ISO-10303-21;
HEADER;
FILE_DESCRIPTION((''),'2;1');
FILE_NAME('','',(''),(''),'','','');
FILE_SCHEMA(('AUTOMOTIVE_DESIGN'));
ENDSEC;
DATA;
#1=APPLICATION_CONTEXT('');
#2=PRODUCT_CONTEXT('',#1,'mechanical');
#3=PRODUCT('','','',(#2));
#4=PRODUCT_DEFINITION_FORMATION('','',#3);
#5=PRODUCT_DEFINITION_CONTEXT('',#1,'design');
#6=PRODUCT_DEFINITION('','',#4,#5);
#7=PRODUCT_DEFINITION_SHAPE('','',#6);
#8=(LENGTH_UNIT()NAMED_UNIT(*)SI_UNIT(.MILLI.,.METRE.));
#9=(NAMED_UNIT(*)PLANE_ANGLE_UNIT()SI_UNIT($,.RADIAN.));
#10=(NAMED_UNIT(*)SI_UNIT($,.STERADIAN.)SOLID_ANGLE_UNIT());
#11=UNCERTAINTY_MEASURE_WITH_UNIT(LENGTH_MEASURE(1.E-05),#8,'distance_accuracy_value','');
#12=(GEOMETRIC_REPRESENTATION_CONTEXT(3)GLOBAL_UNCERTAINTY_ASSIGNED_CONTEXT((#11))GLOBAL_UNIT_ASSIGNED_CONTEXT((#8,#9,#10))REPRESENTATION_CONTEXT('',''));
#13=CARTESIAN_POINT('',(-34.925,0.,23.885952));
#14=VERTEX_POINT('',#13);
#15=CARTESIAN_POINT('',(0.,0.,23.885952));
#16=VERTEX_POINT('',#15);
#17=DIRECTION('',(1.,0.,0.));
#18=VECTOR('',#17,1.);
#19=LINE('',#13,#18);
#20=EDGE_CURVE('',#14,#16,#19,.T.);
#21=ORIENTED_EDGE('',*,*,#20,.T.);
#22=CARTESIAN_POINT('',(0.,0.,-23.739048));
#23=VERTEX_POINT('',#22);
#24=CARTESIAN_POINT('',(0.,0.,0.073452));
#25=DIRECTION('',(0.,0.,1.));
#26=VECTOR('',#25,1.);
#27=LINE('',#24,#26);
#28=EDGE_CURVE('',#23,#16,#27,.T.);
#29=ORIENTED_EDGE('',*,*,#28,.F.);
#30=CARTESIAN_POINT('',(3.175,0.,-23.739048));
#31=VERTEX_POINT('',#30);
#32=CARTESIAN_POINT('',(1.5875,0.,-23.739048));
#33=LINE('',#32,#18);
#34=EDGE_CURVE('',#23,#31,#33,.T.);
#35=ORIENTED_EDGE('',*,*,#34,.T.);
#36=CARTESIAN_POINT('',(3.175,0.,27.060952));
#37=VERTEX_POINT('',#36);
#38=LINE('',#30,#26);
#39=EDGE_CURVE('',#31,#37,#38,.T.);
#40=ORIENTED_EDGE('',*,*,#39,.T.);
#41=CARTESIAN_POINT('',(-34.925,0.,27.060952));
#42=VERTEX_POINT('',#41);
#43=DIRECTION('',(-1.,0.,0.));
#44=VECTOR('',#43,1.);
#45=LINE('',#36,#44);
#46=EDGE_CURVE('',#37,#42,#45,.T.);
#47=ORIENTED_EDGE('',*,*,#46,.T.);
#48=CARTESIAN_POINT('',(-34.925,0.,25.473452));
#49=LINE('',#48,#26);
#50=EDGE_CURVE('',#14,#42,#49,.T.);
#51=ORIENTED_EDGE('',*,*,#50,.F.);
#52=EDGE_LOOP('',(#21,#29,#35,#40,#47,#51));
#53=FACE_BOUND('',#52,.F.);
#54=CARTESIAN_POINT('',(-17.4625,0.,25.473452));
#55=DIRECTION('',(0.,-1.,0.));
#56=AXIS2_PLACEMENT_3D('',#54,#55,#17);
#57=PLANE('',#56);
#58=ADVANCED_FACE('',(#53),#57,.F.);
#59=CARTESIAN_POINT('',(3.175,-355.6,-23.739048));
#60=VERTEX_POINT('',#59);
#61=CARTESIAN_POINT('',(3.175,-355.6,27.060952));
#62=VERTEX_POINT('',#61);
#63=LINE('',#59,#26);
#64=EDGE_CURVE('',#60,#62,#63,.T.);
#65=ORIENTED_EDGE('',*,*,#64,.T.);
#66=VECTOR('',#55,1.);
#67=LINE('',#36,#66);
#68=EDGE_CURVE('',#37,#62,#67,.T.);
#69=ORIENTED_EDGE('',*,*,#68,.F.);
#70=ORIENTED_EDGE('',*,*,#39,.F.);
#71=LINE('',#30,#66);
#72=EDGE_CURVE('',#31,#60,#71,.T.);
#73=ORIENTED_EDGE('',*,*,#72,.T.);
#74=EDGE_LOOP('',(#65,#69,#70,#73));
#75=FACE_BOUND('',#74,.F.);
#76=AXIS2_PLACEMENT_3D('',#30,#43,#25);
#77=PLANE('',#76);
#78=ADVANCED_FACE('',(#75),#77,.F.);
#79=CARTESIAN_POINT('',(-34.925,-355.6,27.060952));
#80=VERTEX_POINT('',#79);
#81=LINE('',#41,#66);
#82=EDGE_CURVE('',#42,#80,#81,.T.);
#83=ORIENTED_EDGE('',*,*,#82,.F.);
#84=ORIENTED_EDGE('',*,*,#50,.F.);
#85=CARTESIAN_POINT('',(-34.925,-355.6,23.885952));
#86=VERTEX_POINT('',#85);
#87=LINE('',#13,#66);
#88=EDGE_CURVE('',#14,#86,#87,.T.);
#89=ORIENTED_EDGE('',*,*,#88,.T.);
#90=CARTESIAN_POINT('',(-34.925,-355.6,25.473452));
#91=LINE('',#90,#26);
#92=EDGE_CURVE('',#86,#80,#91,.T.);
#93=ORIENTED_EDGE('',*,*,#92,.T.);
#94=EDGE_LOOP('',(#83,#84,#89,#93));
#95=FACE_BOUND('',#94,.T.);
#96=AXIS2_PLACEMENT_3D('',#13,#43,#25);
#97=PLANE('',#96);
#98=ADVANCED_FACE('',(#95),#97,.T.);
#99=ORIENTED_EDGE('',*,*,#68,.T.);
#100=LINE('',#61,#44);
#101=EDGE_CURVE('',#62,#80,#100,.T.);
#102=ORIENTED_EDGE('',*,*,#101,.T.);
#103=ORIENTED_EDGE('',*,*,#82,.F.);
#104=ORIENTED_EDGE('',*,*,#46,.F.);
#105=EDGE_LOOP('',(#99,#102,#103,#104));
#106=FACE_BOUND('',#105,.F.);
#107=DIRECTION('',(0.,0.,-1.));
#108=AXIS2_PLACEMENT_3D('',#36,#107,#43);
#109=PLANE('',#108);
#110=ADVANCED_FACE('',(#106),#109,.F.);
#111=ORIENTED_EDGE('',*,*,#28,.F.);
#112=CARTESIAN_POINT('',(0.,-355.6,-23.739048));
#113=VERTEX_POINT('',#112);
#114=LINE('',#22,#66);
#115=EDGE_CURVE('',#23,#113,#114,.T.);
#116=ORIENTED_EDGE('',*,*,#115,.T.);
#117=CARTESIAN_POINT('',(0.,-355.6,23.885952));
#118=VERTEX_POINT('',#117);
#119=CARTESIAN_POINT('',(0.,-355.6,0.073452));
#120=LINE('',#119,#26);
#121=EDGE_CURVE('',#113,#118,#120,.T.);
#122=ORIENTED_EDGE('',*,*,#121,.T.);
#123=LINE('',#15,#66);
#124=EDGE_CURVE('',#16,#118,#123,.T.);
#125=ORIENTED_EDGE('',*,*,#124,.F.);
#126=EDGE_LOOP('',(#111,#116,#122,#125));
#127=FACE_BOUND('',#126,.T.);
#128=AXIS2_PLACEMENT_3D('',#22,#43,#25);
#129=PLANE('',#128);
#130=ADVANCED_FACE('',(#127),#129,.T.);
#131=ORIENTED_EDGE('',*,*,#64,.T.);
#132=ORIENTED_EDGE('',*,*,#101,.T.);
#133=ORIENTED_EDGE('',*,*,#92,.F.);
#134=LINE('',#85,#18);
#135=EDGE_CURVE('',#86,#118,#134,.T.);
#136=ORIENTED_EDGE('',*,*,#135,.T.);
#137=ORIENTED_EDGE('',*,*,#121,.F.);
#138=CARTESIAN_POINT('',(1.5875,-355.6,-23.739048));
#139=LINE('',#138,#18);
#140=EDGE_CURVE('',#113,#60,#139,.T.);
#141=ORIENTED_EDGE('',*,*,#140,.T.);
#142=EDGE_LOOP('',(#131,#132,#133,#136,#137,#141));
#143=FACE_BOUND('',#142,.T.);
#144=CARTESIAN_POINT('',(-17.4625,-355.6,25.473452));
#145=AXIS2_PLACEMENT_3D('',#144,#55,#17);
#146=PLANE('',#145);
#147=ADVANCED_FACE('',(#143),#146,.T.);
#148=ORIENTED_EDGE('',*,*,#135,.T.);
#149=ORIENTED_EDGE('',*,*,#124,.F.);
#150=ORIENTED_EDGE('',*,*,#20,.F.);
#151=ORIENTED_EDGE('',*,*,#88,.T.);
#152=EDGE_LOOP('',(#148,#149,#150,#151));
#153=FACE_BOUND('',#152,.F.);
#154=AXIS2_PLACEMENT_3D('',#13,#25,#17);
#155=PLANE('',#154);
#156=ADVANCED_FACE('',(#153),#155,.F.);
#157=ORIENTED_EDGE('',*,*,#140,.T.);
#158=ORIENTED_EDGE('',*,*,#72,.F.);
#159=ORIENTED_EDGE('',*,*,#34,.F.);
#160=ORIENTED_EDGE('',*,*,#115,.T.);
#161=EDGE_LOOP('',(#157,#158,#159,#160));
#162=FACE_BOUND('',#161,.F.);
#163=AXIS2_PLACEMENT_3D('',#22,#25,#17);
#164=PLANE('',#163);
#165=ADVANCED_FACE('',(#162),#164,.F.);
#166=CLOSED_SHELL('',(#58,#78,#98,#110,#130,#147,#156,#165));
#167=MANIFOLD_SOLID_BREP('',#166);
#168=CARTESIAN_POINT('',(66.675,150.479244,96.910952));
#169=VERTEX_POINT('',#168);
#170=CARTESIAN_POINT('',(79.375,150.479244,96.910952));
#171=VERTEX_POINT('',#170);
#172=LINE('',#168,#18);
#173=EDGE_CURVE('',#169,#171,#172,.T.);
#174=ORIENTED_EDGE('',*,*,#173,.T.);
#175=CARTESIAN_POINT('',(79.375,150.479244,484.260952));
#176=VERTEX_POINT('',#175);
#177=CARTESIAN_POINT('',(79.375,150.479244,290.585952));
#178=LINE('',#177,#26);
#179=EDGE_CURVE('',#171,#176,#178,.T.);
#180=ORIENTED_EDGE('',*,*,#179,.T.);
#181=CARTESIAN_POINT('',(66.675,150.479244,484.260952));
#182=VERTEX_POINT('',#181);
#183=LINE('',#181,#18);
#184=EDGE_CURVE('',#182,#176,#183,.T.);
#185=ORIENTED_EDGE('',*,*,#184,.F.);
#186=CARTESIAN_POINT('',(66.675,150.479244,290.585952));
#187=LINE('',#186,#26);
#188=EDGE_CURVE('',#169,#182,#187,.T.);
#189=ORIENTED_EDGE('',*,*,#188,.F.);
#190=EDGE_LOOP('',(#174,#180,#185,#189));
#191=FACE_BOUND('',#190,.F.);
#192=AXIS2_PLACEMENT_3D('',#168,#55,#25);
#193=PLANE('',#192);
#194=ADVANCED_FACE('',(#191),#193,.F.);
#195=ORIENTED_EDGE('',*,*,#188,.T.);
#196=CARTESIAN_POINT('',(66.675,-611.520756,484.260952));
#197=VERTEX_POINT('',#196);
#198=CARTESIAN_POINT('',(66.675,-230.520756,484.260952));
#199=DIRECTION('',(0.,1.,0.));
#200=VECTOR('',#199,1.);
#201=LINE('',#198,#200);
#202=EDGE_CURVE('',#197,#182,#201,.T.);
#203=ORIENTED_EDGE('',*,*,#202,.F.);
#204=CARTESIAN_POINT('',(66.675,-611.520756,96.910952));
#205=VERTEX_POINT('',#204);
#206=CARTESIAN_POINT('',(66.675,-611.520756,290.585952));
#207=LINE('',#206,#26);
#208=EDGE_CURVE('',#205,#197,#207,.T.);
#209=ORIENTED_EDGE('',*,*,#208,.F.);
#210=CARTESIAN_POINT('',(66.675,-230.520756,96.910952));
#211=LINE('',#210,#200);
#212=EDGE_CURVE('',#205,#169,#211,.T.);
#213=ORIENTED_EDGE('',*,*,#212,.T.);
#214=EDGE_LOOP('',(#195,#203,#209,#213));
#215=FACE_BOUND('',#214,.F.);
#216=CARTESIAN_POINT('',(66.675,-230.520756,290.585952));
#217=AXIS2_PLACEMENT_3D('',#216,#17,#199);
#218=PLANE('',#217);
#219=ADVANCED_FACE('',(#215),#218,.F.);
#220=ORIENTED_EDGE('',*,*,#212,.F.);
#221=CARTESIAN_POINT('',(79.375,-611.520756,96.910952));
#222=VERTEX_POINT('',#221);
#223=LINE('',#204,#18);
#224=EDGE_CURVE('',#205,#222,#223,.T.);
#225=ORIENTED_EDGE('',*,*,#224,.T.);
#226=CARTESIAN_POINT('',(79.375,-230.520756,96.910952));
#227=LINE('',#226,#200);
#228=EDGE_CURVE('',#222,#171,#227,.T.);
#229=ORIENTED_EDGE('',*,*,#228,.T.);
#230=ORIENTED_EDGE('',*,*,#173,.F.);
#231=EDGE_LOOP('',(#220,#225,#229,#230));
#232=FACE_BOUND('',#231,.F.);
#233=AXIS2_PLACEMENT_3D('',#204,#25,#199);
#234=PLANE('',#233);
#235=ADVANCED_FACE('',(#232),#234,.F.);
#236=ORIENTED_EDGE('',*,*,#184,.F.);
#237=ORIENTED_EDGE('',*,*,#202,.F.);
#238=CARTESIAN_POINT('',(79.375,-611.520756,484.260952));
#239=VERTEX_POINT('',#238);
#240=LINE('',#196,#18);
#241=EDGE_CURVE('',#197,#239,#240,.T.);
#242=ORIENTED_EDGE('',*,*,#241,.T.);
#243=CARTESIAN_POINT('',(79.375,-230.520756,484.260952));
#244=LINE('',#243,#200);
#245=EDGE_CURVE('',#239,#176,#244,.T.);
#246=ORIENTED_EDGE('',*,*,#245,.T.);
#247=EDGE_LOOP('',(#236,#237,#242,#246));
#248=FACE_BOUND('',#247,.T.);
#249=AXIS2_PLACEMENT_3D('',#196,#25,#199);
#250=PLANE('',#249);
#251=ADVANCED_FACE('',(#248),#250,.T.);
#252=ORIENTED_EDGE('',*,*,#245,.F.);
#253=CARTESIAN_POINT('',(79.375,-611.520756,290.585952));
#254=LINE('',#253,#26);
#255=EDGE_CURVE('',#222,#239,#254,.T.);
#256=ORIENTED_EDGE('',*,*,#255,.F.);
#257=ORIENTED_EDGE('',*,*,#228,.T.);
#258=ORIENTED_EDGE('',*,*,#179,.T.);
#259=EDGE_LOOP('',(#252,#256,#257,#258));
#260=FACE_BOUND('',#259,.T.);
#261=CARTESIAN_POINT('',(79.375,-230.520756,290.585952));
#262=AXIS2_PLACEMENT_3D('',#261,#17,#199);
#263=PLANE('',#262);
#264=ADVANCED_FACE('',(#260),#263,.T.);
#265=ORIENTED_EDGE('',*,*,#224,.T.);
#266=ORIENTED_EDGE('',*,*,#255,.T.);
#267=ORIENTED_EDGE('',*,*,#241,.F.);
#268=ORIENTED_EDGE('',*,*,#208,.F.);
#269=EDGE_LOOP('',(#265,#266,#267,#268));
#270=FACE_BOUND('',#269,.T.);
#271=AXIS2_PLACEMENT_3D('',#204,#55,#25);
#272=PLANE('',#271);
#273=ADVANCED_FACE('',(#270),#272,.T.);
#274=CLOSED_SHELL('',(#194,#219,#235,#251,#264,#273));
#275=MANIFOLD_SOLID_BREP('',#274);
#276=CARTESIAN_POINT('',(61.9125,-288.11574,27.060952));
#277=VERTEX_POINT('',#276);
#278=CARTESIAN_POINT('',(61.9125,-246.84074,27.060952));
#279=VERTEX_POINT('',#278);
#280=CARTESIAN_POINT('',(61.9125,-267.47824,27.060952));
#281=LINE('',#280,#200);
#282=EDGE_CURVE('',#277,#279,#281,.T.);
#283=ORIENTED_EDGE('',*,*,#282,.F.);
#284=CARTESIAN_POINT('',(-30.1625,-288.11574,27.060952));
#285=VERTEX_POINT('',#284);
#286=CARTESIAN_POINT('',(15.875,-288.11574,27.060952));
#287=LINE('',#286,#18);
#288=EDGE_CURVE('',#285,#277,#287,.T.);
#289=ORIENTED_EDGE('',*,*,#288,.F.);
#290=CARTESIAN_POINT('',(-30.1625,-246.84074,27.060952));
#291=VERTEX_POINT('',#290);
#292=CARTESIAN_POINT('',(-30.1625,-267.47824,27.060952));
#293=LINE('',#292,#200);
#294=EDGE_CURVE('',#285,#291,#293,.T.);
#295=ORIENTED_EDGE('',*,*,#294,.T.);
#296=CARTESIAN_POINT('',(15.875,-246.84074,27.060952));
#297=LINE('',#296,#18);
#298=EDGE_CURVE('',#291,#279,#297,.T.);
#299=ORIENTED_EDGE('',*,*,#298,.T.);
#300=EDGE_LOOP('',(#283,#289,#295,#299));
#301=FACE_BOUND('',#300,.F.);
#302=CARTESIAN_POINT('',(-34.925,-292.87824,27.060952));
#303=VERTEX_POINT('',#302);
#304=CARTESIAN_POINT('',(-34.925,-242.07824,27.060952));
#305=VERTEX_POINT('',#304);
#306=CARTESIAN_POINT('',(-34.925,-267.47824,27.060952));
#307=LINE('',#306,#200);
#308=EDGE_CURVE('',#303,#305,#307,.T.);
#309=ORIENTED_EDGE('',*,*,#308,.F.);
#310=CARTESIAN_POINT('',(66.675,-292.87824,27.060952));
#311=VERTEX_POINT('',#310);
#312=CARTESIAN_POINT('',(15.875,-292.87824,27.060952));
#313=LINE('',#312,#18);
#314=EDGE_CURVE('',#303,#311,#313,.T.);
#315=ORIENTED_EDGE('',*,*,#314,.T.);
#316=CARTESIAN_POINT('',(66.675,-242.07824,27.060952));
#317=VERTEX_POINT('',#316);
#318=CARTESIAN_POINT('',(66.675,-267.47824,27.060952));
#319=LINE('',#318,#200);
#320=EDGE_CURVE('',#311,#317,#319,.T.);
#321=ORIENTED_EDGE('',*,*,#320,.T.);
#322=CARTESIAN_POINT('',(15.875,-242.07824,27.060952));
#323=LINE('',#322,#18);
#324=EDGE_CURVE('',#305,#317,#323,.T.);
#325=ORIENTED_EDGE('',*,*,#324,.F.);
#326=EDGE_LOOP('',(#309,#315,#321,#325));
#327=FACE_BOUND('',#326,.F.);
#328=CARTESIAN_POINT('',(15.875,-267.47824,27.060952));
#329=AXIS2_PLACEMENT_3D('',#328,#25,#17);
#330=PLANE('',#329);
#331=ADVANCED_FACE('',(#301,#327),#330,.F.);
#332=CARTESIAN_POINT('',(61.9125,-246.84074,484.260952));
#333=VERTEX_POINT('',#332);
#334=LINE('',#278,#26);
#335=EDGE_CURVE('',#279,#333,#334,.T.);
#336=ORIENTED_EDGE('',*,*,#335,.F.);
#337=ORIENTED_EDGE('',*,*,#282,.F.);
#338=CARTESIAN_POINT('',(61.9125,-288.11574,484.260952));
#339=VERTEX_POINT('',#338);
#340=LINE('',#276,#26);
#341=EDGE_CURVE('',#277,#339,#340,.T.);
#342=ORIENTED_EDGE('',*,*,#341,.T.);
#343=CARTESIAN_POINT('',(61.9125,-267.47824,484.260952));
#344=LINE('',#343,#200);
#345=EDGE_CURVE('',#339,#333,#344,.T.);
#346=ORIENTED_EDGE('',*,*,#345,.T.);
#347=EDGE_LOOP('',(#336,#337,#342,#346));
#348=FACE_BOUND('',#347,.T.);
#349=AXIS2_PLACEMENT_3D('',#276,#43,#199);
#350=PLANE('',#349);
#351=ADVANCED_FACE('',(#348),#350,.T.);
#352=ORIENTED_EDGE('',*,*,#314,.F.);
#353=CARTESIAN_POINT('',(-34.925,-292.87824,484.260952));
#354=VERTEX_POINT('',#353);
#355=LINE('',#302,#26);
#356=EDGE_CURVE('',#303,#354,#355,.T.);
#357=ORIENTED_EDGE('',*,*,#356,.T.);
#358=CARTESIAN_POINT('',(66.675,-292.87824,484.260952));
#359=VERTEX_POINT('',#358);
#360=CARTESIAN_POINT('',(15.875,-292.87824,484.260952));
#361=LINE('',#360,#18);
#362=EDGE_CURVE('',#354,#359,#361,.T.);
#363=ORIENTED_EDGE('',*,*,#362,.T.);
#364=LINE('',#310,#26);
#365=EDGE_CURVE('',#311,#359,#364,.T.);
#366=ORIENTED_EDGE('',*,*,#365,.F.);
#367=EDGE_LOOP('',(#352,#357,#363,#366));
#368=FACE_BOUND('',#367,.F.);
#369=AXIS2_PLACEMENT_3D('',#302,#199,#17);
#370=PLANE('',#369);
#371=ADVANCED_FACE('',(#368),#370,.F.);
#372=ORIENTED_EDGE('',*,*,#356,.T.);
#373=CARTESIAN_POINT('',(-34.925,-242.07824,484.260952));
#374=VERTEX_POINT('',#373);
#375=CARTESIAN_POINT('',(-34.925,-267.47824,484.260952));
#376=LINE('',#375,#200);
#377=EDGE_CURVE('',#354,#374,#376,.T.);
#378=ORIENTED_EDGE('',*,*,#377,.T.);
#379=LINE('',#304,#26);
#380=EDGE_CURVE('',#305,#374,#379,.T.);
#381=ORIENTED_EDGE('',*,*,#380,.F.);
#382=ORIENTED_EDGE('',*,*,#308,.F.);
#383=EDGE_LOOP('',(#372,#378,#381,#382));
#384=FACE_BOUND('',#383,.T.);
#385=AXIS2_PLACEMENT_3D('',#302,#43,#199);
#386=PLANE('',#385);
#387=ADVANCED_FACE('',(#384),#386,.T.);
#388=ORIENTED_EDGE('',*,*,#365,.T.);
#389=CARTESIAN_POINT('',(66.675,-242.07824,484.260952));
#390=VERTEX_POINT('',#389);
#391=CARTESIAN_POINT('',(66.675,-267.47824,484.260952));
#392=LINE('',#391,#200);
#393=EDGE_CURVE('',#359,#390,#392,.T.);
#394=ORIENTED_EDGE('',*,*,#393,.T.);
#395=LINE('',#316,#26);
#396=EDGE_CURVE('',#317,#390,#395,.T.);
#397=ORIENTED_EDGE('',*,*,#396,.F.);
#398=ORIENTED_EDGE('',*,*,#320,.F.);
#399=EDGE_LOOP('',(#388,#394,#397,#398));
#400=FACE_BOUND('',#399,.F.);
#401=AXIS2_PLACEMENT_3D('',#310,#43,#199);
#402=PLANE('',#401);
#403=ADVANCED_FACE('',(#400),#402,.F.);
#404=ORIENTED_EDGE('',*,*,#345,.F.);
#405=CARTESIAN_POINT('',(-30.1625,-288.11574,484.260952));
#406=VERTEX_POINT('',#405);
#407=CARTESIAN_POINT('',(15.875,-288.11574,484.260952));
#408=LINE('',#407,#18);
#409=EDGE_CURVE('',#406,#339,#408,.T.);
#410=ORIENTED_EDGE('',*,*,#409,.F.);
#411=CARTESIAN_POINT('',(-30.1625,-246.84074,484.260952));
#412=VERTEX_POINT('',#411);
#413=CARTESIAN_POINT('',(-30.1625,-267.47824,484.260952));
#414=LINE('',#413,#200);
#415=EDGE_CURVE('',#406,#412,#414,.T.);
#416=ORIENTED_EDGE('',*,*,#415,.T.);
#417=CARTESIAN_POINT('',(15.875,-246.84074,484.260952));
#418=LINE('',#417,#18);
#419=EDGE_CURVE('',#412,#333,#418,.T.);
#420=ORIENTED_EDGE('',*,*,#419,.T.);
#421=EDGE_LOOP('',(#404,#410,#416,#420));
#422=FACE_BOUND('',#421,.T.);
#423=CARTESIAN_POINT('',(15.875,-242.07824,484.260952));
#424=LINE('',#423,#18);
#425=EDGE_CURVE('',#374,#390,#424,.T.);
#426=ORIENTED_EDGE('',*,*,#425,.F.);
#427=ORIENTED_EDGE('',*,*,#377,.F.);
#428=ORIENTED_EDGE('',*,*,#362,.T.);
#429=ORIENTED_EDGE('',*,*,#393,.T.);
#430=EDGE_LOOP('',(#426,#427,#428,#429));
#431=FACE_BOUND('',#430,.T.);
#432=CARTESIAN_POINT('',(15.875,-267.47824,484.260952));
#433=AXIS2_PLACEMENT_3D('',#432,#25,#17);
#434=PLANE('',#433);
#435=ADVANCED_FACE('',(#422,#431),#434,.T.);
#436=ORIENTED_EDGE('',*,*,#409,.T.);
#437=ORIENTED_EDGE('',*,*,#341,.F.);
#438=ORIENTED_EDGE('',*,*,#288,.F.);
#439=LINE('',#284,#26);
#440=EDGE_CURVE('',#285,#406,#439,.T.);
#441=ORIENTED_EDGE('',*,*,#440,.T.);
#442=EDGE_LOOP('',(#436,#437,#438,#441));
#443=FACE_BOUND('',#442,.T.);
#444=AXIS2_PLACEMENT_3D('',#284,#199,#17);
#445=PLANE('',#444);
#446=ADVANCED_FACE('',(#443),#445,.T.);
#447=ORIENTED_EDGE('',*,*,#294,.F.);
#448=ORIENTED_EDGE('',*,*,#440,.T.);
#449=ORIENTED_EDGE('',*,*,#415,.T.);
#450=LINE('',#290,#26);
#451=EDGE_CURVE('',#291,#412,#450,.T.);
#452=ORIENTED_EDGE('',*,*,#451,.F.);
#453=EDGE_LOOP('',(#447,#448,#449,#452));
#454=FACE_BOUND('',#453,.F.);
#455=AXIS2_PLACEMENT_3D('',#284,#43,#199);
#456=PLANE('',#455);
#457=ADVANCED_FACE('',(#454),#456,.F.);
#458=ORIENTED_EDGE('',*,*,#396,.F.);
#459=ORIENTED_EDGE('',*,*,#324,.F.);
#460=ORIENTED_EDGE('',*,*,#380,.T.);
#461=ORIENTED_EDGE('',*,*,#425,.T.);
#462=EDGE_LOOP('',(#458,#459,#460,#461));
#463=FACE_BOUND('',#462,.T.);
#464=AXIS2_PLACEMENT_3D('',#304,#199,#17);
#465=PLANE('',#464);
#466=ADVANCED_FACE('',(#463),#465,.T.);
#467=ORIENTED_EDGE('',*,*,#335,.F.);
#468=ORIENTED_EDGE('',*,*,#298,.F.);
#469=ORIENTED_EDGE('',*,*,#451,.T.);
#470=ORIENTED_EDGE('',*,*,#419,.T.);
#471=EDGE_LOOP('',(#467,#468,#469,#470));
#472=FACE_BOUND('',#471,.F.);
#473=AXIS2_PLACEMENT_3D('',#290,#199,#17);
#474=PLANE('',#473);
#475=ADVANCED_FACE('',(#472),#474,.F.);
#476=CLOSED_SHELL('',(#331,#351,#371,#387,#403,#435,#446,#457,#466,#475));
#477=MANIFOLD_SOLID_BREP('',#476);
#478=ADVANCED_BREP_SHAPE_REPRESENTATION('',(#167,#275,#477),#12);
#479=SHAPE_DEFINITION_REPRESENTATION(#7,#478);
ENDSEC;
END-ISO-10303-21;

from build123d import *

# Parameters (mm, degrees)
F0_W     = 34.925
F0_H     = 3.175
F0_W_2   = 3.175
F0_H_2   = 47.625
F1_DEPTH = 355.6
F2_W     = 101.6
F2_H     = 50.8
F2_W_2   = 92.075
F2_H_2   = 41.275
F3_DEPTH = 457.2
F4_W     = 762
F4_H     = 387.35
F5_DEPTH = 12.7


with BuildPart() as f1:
    # F0 (on Front) → F1 (new body)
    with BuildSketch(Plane.XZ):
        with Locations((-17.4625, 25.473452)):
            Rectangle(F0_W, F0_H)
        with Locations((1.5875, 25.473452)):
            Rectangle(F0_W_2, F0_H)
        with Locations((1.5875, 0.073452)):
            Rectangle(F0_W_2, F0_H_2)
    extrude(amount=F1_DEPTH)


with BuildPart() as f3:
    # F2 (on face) → F3 (new body)
    with BuildSketch(Plane.XY.offset(27.060952)):
        with Locations((15.875, -267.47824)):
            Rectangle(F2_W, F2_H)
        with Locations((15.875, -267.47824)):
            Rectangle(F2_W_2, F2_H_2, mode=Mode.SUBTRACT)
    extrude(amount=F3_DEPTH)


with BuildPart() as f5:
    # F4 (on face) → F5 (new body)
    with BuildSketch(Plane.YZ.offset(66.675)):
        with Locations((-230.520756, 290.585952)):
            Rectangle(F4_W, F4_H)
    extrude(amount=F5_DEPTH)


solid = Compound([f1.part, f3.part, f5.part])
